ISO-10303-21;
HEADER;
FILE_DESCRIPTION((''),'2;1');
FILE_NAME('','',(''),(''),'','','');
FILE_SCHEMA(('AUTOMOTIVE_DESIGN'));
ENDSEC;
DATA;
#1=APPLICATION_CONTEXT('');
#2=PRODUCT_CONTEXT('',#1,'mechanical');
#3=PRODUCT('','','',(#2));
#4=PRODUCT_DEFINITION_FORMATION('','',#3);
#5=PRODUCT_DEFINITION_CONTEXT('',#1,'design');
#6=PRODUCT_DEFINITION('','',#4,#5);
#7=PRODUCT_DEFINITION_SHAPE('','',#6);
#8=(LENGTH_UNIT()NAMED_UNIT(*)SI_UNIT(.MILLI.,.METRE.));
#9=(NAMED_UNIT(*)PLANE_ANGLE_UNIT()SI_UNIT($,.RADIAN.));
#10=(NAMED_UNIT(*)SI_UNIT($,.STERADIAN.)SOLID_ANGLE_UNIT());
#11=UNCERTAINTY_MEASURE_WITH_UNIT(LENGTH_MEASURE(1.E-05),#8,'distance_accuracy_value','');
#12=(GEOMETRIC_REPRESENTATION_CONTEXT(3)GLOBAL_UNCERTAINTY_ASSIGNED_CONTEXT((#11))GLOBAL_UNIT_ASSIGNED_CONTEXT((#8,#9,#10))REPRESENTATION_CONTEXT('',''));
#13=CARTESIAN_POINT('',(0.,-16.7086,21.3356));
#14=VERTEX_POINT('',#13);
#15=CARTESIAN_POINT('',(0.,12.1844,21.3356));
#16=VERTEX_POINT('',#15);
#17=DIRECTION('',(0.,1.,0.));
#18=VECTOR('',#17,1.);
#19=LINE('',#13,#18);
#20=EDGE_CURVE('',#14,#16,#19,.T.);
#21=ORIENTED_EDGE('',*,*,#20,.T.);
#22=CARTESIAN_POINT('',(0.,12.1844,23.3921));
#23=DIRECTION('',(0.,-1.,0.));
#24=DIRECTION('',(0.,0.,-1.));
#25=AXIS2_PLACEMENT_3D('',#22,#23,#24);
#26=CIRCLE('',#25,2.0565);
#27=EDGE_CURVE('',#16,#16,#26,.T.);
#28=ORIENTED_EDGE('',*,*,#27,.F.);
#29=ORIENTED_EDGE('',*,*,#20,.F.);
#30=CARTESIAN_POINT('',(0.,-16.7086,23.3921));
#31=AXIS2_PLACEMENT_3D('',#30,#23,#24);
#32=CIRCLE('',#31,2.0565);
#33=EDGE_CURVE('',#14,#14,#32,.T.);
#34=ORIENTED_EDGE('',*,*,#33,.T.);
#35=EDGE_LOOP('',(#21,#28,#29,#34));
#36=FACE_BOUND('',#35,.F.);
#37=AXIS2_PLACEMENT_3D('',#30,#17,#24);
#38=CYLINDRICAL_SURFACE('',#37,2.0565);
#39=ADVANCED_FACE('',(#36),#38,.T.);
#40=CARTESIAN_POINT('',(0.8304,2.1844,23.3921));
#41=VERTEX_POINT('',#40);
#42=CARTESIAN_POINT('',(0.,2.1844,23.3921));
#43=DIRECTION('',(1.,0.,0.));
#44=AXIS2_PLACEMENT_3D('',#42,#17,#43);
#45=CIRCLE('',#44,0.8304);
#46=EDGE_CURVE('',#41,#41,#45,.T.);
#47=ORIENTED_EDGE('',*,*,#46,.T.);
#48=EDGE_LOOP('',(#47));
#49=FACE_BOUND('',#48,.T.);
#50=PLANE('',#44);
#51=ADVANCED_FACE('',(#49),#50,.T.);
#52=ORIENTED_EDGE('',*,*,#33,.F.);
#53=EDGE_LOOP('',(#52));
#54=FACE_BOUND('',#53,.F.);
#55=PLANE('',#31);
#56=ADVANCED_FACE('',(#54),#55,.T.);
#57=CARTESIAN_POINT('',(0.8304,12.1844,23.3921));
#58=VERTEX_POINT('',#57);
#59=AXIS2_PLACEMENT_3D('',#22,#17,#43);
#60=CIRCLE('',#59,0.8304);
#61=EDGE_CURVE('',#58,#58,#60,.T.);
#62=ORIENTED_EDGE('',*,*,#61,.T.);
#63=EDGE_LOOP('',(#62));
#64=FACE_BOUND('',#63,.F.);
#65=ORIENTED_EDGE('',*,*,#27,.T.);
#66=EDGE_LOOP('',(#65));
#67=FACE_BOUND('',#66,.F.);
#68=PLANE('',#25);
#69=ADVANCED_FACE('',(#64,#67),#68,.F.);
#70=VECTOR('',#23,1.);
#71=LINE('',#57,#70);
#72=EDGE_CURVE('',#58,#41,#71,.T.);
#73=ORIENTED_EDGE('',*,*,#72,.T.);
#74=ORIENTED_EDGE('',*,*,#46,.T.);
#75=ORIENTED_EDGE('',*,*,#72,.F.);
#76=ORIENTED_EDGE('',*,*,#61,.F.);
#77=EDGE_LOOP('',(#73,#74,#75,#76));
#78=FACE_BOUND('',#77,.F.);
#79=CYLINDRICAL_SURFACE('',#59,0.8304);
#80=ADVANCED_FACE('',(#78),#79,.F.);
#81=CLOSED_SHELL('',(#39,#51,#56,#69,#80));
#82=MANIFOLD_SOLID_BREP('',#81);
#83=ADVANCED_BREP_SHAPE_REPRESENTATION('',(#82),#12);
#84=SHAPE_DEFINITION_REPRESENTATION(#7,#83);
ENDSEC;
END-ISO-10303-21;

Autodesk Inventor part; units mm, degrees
ref_plane "YZ Plane" through (0, 0, 0) normal (1, 0, 0) x (0, 1, 0)
ref_plane "XZ Plane" through (0, 0, 0) normal (0, 1, 0) x (-1, 0, 0)
ref_plane "XY Plane" through (0, 0, 0) normal (0, 0, 1) x (1, 0, 0)
sketch "Sketch1" plane through (0, 0, 0) normal (1, 0, 0) x (0, 1, 0)
  line L0 (12.1844, 23.3921) -> (-16.7086, 23.3921)
  line L1 (-16.7086, 23.3921) -> (-16.7086, 21.3356)
  line L2 (-16.7086, 21.3356) -> (12.1844, 21.3356)
  line L3 (12.1844, 21.3356) -> (12.1844, 23.3921)
  point P0 (0, 0)
revolve "Revolution1" add sketch "Sketch1" angle 360 about axis through (0, 12.1844, 23.3921) along (0, -1, 0)
sketch "Sketch2" plane through (0, 12.1844, 23.3921) normal (0, 1, 0) x (1, 0, 0)
  circle A0 centre (0, 0) radius 0.8304
  point P0 (0, 23.3921)
extrude "Extrusion1" cut sketch "Sketch2" against normal blind 10
properties part number "stem"
